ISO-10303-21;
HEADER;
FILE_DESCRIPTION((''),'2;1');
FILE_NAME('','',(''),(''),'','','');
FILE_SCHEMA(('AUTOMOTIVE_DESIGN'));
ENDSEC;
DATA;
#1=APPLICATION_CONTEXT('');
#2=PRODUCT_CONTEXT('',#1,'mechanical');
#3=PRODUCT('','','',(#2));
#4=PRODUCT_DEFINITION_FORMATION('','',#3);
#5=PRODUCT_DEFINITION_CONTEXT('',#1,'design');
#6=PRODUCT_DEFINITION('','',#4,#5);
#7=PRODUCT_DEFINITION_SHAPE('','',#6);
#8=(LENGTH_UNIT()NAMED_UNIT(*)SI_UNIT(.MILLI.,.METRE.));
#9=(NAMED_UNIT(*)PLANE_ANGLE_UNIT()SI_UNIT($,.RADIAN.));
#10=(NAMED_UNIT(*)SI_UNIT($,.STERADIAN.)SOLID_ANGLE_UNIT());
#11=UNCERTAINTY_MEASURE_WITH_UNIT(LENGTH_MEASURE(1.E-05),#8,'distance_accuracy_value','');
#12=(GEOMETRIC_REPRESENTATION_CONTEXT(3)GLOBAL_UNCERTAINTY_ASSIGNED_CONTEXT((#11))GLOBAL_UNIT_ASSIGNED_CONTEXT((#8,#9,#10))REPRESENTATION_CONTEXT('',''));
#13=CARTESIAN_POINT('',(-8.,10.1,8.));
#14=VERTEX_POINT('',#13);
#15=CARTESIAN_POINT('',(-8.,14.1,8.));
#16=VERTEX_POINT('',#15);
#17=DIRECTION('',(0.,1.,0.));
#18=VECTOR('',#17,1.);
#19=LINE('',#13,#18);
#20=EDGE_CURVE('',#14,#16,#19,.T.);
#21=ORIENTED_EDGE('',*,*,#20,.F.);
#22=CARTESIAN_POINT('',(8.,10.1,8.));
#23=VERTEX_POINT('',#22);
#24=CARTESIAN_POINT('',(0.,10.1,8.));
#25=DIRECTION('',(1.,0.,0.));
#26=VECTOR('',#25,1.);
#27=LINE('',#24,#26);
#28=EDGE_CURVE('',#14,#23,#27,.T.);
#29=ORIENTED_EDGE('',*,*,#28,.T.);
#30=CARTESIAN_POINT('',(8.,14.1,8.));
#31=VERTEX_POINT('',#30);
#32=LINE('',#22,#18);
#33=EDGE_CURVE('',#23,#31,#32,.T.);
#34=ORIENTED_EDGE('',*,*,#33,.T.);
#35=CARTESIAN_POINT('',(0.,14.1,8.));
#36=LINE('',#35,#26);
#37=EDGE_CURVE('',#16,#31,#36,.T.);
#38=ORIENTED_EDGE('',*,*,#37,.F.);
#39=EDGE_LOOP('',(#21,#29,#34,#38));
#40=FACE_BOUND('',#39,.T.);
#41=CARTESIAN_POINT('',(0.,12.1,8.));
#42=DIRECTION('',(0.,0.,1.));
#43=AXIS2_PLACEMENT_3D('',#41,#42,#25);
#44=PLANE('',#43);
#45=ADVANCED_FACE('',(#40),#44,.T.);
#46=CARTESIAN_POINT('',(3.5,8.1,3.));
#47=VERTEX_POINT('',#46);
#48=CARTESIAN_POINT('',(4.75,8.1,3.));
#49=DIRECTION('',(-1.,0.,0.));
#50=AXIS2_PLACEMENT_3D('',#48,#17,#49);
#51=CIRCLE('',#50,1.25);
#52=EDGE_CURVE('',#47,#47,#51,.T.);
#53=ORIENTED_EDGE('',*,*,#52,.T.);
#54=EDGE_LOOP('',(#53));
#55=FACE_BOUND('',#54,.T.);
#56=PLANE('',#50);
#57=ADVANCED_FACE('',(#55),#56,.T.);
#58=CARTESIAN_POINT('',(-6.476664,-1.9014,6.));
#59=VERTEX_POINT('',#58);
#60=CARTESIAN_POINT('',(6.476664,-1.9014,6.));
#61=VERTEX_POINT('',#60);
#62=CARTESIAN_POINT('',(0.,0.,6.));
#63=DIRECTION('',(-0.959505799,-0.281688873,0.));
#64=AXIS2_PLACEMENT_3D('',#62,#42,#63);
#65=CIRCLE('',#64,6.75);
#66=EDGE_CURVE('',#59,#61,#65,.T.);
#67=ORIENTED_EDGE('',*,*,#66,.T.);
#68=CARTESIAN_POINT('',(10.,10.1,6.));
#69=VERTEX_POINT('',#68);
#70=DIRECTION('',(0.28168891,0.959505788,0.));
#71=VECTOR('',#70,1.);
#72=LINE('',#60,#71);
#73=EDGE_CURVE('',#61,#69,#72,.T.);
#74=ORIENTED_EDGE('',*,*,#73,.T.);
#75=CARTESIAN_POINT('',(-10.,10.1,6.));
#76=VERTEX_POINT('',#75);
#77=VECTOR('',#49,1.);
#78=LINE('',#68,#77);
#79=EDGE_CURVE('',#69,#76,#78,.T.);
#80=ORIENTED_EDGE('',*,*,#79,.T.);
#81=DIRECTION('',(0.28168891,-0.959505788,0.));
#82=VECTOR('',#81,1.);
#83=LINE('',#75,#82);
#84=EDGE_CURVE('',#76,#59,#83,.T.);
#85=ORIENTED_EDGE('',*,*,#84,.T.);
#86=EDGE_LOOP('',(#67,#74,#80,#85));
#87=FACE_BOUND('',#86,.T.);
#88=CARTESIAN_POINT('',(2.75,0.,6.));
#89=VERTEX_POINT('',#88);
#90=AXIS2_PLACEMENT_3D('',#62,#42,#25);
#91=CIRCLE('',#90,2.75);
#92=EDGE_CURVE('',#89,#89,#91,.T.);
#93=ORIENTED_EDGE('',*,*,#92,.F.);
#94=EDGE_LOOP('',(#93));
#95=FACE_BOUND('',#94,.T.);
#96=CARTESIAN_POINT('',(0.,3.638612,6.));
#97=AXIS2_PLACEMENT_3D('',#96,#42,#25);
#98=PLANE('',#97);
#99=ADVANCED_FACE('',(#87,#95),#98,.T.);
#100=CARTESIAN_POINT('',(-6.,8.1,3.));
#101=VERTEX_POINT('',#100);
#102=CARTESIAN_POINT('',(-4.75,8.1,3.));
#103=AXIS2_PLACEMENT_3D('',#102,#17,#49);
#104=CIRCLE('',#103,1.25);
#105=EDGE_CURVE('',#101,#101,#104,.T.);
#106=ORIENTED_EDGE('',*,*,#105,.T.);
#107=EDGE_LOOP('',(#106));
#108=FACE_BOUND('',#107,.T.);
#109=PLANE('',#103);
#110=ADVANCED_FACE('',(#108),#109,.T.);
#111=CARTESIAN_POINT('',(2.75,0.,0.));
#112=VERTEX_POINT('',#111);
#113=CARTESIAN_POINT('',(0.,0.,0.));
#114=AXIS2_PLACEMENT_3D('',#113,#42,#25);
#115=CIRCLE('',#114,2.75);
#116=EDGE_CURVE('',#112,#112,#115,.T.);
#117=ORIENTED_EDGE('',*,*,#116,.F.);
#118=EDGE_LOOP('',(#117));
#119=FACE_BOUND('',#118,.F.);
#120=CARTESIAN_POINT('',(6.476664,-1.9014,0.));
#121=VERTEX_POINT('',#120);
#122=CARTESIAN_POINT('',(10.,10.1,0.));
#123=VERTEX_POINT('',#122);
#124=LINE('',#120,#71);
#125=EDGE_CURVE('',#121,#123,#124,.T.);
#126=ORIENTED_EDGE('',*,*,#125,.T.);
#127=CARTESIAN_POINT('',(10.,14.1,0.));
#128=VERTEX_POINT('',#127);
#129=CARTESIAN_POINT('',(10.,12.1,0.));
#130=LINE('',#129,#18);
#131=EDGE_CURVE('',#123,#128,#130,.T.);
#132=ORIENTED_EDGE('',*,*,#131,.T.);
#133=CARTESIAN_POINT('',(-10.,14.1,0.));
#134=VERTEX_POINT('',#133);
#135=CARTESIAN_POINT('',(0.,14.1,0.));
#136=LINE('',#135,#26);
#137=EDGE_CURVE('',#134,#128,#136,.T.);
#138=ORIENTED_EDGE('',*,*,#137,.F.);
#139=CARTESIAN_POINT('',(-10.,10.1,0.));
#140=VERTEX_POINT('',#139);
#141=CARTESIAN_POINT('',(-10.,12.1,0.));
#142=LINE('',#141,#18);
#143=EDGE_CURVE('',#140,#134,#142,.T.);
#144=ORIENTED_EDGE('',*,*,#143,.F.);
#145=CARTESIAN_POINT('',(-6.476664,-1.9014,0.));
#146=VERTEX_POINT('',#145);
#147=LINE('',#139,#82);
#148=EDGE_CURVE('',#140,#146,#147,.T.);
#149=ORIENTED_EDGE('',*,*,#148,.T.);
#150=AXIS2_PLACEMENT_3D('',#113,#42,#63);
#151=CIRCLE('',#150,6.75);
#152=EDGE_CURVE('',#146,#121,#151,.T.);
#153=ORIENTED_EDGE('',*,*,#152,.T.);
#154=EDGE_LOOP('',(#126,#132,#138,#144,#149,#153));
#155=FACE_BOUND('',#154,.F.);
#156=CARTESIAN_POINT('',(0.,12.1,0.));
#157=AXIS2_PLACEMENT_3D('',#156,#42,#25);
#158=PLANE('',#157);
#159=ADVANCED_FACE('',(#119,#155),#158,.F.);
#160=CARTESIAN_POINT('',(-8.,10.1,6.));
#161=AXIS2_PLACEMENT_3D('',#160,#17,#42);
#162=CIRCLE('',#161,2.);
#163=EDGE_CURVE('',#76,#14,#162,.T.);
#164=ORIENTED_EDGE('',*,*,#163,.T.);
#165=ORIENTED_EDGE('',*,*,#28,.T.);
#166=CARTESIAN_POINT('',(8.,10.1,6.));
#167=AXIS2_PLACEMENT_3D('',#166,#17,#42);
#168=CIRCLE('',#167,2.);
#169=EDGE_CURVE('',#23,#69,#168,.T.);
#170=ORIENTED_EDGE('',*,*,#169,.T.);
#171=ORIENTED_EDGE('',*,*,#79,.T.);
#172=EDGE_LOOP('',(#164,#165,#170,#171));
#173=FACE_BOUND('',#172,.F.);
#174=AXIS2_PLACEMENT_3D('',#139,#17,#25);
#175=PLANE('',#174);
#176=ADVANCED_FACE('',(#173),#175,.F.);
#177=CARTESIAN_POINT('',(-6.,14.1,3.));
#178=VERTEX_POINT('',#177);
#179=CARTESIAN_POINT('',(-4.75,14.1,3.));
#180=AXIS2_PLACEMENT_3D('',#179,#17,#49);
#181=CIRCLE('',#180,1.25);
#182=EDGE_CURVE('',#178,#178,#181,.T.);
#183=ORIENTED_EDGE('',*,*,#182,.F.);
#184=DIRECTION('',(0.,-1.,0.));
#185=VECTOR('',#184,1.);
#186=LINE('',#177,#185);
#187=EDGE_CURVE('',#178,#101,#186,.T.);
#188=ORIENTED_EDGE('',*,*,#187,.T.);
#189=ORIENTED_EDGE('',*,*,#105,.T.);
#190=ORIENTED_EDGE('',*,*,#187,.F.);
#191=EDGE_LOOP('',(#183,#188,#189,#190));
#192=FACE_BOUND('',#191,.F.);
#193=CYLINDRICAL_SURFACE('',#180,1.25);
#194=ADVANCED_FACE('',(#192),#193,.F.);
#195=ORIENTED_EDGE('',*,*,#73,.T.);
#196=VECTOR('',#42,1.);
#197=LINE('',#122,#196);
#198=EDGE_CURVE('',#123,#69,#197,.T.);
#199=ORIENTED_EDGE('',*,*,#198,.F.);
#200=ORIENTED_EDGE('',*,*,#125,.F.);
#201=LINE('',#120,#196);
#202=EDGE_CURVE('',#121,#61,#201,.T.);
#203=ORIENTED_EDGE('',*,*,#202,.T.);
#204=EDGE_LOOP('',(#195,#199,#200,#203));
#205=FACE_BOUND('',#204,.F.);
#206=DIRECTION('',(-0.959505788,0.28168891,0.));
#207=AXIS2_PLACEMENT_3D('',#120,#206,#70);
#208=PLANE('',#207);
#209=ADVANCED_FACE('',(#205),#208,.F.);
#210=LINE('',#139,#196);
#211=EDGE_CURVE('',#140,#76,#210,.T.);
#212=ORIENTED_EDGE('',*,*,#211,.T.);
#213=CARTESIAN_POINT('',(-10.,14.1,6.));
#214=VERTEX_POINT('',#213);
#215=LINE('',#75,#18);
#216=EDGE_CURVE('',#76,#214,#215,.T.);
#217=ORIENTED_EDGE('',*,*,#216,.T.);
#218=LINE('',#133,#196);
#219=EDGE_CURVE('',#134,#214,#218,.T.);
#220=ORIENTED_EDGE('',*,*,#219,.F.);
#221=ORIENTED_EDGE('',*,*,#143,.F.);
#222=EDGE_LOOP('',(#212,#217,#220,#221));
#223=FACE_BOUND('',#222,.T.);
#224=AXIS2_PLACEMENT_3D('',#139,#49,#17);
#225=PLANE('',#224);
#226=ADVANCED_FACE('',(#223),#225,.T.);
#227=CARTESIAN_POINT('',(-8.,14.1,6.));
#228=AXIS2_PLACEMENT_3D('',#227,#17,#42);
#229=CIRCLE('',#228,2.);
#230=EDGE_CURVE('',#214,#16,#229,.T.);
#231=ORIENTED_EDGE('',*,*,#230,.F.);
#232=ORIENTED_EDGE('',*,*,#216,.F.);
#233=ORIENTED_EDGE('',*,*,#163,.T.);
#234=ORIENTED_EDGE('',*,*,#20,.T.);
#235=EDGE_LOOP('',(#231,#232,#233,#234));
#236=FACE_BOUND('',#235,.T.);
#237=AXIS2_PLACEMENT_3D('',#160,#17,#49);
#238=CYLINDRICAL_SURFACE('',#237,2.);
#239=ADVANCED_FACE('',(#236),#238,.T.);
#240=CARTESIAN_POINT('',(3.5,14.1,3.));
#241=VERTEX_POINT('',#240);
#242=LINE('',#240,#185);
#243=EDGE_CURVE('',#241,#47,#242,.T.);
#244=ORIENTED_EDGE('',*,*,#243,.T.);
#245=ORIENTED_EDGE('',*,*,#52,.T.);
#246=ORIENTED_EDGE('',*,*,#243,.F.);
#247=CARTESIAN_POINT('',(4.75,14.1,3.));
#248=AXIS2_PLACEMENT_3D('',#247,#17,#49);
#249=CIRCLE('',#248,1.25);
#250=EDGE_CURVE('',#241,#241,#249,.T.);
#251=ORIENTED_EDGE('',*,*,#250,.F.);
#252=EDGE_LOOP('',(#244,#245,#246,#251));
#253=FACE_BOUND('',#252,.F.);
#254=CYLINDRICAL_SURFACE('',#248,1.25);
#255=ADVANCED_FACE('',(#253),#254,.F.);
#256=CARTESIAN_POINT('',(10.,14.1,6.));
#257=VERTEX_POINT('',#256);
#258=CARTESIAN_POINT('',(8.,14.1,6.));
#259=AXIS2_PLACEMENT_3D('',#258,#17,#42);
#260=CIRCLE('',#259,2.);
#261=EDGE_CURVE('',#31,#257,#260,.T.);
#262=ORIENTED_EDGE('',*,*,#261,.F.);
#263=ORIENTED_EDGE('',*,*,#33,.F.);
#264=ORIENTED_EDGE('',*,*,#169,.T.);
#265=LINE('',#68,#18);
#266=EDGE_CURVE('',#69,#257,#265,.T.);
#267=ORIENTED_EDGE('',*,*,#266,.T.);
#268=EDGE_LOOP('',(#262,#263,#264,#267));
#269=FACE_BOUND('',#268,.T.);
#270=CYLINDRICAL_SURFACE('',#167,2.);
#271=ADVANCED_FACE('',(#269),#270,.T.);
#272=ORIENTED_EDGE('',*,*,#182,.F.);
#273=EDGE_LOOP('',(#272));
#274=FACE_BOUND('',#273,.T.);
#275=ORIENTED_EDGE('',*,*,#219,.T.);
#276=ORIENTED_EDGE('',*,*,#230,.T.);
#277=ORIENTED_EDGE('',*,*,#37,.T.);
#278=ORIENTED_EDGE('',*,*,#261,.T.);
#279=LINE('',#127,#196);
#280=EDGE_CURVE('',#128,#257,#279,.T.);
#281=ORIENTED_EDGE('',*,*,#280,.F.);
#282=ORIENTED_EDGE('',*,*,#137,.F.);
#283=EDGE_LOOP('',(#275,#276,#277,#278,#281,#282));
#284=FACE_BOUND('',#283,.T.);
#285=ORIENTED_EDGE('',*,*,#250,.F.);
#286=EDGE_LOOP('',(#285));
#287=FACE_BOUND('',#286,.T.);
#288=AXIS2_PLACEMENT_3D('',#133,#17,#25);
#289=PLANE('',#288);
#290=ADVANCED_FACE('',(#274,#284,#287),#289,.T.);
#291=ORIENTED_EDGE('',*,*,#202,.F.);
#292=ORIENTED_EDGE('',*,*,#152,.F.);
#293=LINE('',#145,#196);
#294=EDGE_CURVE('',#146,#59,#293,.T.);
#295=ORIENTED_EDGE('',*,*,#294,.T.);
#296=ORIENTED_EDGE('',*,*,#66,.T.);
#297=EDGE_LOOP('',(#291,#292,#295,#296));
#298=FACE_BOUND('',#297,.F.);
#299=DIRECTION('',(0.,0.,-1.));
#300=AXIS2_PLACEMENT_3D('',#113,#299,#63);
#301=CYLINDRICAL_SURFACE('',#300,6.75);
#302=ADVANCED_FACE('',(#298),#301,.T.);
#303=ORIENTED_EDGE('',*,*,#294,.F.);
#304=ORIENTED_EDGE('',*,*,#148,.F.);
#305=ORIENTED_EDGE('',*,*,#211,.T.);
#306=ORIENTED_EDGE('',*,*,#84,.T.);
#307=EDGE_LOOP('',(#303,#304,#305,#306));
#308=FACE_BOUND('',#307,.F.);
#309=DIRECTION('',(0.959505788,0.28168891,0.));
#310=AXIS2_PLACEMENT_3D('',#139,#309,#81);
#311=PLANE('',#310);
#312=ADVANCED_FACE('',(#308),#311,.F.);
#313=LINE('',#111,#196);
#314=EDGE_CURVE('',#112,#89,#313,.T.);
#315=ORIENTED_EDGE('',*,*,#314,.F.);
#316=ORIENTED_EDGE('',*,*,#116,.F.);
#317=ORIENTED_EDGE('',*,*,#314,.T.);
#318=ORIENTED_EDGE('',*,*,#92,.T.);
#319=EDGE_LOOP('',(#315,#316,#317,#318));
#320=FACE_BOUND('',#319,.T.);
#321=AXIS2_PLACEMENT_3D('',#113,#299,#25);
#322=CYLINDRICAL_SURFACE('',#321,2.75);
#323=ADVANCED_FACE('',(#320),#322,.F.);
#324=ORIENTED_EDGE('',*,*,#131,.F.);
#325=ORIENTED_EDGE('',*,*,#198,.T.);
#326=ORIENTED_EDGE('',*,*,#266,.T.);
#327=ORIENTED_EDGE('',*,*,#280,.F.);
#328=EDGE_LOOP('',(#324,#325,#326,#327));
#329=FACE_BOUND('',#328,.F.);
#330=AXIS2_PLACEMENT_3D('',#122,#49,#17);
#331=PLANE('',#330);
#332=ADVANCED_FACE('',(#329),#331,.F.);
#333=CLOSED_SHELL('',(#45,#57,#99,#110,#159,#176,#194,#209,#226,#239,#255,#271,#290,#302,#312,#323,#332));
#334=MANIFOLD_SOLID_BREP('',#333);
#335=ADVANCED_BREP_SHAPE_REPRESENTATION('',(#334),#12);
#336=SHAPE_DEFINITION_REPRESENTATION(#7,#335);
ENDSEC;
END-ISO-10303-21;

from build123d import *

# Parameters (mm, degrees)
F0_R     = 2.75
F1_DEPTH = 6
F0_W     = 20
F0_H     = 4
F2_DEPTH = 8
F3_R     = 1.25
F4_DEPTH = 6
F5_R     = 2


with BuildPart() as f1:
    # F0 (on Top) → F1 (new body)
    with BuildSketch(Plane.XY):
        with BuildLine():
            Line((-10, 10.1), (-6.476664, -1.9014))
            ThreePointArc((-6.476664, -1.9014), (0, -6.75), (6.476664, -1.9014))
            Line((6.476664, -1.9014), (10, 10.1))
            Line((10, 10.1), (-10, 10.1))
        make_face()
        Circle(F0_R, mode=Mode.SUBTRACT)
    extrude(amount=F1_DEPTH)

    # F0 (on Top) → F2 (join)
    with BuildSketch(Plane.XY):
        with Locations((0, 12.1)):
            Rectangle(F0_W, F0_H)
    extrude(amount=F2_DEPTH)

    # F3 (on face) → F4 (cut)
    with BuildSketch(Plane(origin=(0, 14.1, 0), x_dir=(-1, 0, 0), z_dir=(0, 1, 0))):
        with Locations((-4.75, 3)):
            Circle(F3_R)
        with Locations((4.75, 3)):
            Circle(F3_R)
    extrude(amount=-F4_DEPTH, mode=Mode.SUBTRACT)

    # F5
    f5_edges = [f1.edges().sort_by_distance(p)[0] for p in [
        (-10, 12.1, 8),
        (10, 12.1, 8),
    ]]
    fillet(f5_edges, radius=F5_R)


solid = f1.part
